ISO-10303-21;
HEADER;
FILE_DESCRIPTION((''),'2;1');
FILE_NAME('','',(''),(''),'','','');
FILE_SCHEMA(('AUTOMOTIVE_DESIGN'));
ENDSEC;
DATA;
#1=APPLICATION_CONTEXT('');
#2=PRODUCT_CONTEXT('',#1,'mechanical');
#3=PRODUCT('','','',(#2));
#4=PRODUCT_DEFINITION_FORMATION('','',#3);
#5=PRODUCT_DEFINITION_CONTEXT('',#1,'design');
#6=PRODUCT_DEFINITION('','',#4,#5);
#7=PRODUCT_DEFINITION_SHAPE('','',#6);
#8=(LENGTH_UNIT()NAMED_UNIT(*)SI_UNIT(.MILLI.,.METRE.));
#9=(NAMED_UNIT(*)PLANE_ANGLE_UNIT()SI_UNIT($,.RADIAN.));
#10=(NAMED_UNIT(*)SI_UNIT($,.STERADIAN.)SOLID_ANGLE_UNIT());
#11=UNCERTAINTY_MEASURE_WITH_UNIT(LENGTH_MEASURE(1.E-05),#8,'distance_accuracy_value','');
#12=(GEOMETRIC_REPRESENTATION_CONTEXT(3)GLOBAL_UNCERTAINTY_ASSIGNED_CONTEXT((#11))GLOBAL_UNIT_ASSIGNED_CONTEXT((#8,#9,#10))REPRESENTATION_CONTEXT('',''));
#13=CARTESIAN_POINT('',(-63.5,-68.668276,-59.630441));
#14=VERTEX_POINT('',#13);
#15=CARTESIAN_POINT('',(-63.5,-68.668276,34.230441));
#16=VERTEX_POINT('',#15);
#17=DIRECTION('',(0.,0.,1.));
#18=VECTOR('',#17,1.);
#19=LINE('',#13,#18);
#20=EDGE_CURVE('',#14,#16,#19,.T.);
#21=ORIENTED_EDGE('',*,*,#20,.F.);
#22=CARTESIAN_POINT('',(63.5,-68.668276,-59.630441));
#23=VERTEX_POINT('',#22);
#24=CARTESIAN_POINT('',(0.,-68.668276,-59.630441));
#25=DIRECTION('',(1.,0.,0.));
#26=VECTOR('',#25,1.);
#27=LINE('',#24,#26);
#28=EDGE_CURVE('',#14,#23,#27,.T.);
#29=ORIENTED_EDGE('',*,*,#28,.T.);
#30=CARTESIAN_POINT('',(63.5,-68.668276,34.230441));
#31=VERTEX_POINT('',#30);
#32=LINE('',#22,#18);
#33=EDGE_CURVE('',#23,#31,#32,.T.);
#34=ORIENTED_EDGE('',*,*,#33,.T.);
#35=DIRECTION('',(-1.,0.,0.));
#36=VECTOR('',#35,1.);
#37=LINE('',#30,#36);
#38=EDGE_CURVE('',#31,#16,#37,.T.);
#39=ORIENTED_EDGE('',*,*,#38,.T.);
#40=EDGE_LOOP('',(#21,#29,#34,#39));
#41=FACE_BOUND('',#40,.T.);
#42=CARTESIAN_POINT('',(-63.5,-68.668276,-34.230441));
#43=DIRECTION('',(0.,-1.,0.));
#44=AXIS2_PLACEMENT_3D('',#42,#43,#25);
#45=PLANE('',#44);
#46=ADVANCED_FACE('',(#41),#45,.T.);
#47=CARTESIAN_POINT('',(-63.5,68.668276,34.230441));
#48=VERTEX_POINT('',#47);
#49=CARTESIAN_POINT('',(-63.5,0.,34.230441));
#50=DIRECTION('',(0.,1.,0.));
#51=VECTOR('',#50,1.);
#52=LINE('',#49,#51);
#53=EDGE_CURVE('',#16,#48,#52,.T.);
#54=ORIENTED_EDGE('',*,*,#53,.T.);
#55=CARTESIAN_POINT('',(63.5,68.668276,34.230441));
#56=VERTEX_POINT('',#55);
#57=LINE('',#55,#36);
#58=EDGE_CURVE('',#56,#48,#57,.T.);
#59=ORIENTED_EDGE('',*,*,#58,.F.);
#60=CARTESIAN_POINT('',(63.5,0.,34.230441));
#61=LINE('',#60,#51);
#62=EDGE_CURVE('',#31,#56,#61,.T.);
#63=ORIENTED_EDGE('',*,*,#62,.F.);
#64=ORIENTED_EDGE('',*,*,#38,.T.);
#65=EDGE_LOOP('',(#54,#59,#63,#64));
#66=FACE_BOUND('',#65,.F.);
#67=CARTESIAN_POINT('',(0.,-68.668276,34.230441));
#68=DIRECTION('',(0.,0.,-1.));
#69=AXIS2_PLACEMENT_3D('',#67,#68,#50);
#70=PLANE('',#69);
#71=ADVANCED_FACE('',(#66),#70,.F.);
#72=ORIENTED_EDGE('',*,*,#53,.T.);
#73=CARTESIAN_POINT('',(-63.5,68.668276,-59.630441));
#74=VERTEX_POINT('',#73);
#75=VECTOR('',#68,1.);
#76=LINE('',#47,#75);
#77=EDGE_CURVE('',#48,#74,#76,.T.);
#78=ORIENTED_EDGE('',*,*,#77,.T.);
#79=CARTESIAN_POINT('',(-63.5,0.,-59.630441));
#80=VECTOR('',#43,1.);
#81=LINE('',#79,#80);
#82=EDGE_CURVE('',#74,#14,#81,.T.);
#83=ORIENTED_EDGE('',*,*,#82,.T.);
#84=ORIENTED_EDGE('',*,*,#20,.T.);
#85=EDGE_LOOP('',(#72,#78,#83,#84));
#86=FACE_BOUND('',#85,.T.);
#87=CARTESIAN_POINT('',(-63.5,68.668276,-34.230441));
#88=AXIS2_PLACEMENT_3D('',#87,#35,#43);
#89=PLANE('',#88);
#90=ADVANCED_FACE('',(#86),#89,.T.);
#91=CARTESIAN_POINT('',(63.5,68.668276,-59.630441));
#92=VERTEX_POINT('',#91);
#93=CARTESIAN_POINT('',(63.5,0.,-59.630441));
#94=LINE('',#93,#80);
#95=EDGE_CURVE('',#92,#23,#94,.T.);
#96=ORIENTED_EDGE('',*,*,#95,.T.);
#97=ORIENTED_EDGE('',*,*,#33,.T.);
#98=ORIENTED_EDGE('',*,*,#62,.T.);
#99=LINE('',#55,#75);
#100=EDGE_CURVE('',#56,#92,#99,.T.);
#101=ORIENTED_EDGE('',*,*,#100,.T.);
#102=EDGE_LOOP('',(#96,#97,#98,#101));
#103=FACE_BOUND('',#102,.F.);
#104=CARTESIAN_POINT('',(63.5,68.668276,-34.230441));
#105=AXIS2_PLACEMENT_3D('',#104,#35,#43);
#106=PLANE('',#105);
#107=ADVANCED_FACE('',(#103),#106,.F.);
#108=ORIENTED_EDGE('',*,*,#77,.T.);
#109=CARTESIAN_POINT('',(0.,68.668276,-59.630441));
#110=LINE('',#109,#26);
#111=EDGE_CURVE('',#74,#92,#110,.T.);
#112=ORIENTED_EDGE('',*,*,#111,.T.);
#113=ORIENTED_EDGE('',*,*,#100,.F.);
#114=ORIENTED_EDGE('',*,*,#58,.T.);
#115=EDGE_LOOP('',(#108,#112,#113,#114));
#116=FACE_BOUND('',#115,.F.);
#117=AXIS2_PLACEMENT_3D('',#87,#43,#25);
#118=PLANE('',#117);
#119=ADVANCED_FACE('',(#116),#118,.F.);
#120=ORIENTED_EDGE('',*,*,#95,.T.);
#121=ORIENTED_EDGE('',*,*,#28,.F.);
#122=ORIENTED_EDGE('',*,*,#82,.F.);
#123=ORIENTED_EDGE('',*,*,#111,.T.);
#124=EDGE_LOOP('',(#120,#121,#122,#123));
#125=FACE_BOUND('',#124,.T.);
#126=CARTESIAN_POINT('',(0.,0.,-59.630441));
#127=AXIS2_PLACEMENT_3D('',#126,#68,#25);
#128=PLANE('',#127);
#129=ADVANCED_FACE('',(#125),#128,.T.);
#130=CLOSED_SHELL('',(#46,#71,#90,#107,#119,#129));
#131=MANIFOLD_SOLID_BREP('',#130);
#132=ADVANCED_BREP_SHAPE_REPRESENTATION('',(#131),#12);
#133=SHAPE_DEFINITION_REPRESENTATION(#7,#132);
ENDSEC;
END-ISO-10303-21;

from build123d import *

# Parameters (mm, degrees)
F0_W      = 137.336552
F0_H      = 68.460882
F1_DEPTH  = 63.5
F1_FACE_W = 127
F1_FACE_H = 137.336552
F2_DEPTH  = 25.4


with BuildPart() as f1:
    # F0 (on Right) → F1 (new body, symmetric)
    with BuildSketch(Plane.YZ):
        Rectangle(F0_W, F0_H)
    extrude(amount=F1_DEPTH, both=True)

    # F1_face (on face) → F2 (join)
    with BuildSketch(Plane(origin=(0, 0, -34.230441), x_dir=(1, 0, 0), z_dir=(0, 0, -1))):
        Rectangle(F1_FACE_W, F1_FACE_H)
    extrude(amount=F2_DEPTH)


solid = f1.part
